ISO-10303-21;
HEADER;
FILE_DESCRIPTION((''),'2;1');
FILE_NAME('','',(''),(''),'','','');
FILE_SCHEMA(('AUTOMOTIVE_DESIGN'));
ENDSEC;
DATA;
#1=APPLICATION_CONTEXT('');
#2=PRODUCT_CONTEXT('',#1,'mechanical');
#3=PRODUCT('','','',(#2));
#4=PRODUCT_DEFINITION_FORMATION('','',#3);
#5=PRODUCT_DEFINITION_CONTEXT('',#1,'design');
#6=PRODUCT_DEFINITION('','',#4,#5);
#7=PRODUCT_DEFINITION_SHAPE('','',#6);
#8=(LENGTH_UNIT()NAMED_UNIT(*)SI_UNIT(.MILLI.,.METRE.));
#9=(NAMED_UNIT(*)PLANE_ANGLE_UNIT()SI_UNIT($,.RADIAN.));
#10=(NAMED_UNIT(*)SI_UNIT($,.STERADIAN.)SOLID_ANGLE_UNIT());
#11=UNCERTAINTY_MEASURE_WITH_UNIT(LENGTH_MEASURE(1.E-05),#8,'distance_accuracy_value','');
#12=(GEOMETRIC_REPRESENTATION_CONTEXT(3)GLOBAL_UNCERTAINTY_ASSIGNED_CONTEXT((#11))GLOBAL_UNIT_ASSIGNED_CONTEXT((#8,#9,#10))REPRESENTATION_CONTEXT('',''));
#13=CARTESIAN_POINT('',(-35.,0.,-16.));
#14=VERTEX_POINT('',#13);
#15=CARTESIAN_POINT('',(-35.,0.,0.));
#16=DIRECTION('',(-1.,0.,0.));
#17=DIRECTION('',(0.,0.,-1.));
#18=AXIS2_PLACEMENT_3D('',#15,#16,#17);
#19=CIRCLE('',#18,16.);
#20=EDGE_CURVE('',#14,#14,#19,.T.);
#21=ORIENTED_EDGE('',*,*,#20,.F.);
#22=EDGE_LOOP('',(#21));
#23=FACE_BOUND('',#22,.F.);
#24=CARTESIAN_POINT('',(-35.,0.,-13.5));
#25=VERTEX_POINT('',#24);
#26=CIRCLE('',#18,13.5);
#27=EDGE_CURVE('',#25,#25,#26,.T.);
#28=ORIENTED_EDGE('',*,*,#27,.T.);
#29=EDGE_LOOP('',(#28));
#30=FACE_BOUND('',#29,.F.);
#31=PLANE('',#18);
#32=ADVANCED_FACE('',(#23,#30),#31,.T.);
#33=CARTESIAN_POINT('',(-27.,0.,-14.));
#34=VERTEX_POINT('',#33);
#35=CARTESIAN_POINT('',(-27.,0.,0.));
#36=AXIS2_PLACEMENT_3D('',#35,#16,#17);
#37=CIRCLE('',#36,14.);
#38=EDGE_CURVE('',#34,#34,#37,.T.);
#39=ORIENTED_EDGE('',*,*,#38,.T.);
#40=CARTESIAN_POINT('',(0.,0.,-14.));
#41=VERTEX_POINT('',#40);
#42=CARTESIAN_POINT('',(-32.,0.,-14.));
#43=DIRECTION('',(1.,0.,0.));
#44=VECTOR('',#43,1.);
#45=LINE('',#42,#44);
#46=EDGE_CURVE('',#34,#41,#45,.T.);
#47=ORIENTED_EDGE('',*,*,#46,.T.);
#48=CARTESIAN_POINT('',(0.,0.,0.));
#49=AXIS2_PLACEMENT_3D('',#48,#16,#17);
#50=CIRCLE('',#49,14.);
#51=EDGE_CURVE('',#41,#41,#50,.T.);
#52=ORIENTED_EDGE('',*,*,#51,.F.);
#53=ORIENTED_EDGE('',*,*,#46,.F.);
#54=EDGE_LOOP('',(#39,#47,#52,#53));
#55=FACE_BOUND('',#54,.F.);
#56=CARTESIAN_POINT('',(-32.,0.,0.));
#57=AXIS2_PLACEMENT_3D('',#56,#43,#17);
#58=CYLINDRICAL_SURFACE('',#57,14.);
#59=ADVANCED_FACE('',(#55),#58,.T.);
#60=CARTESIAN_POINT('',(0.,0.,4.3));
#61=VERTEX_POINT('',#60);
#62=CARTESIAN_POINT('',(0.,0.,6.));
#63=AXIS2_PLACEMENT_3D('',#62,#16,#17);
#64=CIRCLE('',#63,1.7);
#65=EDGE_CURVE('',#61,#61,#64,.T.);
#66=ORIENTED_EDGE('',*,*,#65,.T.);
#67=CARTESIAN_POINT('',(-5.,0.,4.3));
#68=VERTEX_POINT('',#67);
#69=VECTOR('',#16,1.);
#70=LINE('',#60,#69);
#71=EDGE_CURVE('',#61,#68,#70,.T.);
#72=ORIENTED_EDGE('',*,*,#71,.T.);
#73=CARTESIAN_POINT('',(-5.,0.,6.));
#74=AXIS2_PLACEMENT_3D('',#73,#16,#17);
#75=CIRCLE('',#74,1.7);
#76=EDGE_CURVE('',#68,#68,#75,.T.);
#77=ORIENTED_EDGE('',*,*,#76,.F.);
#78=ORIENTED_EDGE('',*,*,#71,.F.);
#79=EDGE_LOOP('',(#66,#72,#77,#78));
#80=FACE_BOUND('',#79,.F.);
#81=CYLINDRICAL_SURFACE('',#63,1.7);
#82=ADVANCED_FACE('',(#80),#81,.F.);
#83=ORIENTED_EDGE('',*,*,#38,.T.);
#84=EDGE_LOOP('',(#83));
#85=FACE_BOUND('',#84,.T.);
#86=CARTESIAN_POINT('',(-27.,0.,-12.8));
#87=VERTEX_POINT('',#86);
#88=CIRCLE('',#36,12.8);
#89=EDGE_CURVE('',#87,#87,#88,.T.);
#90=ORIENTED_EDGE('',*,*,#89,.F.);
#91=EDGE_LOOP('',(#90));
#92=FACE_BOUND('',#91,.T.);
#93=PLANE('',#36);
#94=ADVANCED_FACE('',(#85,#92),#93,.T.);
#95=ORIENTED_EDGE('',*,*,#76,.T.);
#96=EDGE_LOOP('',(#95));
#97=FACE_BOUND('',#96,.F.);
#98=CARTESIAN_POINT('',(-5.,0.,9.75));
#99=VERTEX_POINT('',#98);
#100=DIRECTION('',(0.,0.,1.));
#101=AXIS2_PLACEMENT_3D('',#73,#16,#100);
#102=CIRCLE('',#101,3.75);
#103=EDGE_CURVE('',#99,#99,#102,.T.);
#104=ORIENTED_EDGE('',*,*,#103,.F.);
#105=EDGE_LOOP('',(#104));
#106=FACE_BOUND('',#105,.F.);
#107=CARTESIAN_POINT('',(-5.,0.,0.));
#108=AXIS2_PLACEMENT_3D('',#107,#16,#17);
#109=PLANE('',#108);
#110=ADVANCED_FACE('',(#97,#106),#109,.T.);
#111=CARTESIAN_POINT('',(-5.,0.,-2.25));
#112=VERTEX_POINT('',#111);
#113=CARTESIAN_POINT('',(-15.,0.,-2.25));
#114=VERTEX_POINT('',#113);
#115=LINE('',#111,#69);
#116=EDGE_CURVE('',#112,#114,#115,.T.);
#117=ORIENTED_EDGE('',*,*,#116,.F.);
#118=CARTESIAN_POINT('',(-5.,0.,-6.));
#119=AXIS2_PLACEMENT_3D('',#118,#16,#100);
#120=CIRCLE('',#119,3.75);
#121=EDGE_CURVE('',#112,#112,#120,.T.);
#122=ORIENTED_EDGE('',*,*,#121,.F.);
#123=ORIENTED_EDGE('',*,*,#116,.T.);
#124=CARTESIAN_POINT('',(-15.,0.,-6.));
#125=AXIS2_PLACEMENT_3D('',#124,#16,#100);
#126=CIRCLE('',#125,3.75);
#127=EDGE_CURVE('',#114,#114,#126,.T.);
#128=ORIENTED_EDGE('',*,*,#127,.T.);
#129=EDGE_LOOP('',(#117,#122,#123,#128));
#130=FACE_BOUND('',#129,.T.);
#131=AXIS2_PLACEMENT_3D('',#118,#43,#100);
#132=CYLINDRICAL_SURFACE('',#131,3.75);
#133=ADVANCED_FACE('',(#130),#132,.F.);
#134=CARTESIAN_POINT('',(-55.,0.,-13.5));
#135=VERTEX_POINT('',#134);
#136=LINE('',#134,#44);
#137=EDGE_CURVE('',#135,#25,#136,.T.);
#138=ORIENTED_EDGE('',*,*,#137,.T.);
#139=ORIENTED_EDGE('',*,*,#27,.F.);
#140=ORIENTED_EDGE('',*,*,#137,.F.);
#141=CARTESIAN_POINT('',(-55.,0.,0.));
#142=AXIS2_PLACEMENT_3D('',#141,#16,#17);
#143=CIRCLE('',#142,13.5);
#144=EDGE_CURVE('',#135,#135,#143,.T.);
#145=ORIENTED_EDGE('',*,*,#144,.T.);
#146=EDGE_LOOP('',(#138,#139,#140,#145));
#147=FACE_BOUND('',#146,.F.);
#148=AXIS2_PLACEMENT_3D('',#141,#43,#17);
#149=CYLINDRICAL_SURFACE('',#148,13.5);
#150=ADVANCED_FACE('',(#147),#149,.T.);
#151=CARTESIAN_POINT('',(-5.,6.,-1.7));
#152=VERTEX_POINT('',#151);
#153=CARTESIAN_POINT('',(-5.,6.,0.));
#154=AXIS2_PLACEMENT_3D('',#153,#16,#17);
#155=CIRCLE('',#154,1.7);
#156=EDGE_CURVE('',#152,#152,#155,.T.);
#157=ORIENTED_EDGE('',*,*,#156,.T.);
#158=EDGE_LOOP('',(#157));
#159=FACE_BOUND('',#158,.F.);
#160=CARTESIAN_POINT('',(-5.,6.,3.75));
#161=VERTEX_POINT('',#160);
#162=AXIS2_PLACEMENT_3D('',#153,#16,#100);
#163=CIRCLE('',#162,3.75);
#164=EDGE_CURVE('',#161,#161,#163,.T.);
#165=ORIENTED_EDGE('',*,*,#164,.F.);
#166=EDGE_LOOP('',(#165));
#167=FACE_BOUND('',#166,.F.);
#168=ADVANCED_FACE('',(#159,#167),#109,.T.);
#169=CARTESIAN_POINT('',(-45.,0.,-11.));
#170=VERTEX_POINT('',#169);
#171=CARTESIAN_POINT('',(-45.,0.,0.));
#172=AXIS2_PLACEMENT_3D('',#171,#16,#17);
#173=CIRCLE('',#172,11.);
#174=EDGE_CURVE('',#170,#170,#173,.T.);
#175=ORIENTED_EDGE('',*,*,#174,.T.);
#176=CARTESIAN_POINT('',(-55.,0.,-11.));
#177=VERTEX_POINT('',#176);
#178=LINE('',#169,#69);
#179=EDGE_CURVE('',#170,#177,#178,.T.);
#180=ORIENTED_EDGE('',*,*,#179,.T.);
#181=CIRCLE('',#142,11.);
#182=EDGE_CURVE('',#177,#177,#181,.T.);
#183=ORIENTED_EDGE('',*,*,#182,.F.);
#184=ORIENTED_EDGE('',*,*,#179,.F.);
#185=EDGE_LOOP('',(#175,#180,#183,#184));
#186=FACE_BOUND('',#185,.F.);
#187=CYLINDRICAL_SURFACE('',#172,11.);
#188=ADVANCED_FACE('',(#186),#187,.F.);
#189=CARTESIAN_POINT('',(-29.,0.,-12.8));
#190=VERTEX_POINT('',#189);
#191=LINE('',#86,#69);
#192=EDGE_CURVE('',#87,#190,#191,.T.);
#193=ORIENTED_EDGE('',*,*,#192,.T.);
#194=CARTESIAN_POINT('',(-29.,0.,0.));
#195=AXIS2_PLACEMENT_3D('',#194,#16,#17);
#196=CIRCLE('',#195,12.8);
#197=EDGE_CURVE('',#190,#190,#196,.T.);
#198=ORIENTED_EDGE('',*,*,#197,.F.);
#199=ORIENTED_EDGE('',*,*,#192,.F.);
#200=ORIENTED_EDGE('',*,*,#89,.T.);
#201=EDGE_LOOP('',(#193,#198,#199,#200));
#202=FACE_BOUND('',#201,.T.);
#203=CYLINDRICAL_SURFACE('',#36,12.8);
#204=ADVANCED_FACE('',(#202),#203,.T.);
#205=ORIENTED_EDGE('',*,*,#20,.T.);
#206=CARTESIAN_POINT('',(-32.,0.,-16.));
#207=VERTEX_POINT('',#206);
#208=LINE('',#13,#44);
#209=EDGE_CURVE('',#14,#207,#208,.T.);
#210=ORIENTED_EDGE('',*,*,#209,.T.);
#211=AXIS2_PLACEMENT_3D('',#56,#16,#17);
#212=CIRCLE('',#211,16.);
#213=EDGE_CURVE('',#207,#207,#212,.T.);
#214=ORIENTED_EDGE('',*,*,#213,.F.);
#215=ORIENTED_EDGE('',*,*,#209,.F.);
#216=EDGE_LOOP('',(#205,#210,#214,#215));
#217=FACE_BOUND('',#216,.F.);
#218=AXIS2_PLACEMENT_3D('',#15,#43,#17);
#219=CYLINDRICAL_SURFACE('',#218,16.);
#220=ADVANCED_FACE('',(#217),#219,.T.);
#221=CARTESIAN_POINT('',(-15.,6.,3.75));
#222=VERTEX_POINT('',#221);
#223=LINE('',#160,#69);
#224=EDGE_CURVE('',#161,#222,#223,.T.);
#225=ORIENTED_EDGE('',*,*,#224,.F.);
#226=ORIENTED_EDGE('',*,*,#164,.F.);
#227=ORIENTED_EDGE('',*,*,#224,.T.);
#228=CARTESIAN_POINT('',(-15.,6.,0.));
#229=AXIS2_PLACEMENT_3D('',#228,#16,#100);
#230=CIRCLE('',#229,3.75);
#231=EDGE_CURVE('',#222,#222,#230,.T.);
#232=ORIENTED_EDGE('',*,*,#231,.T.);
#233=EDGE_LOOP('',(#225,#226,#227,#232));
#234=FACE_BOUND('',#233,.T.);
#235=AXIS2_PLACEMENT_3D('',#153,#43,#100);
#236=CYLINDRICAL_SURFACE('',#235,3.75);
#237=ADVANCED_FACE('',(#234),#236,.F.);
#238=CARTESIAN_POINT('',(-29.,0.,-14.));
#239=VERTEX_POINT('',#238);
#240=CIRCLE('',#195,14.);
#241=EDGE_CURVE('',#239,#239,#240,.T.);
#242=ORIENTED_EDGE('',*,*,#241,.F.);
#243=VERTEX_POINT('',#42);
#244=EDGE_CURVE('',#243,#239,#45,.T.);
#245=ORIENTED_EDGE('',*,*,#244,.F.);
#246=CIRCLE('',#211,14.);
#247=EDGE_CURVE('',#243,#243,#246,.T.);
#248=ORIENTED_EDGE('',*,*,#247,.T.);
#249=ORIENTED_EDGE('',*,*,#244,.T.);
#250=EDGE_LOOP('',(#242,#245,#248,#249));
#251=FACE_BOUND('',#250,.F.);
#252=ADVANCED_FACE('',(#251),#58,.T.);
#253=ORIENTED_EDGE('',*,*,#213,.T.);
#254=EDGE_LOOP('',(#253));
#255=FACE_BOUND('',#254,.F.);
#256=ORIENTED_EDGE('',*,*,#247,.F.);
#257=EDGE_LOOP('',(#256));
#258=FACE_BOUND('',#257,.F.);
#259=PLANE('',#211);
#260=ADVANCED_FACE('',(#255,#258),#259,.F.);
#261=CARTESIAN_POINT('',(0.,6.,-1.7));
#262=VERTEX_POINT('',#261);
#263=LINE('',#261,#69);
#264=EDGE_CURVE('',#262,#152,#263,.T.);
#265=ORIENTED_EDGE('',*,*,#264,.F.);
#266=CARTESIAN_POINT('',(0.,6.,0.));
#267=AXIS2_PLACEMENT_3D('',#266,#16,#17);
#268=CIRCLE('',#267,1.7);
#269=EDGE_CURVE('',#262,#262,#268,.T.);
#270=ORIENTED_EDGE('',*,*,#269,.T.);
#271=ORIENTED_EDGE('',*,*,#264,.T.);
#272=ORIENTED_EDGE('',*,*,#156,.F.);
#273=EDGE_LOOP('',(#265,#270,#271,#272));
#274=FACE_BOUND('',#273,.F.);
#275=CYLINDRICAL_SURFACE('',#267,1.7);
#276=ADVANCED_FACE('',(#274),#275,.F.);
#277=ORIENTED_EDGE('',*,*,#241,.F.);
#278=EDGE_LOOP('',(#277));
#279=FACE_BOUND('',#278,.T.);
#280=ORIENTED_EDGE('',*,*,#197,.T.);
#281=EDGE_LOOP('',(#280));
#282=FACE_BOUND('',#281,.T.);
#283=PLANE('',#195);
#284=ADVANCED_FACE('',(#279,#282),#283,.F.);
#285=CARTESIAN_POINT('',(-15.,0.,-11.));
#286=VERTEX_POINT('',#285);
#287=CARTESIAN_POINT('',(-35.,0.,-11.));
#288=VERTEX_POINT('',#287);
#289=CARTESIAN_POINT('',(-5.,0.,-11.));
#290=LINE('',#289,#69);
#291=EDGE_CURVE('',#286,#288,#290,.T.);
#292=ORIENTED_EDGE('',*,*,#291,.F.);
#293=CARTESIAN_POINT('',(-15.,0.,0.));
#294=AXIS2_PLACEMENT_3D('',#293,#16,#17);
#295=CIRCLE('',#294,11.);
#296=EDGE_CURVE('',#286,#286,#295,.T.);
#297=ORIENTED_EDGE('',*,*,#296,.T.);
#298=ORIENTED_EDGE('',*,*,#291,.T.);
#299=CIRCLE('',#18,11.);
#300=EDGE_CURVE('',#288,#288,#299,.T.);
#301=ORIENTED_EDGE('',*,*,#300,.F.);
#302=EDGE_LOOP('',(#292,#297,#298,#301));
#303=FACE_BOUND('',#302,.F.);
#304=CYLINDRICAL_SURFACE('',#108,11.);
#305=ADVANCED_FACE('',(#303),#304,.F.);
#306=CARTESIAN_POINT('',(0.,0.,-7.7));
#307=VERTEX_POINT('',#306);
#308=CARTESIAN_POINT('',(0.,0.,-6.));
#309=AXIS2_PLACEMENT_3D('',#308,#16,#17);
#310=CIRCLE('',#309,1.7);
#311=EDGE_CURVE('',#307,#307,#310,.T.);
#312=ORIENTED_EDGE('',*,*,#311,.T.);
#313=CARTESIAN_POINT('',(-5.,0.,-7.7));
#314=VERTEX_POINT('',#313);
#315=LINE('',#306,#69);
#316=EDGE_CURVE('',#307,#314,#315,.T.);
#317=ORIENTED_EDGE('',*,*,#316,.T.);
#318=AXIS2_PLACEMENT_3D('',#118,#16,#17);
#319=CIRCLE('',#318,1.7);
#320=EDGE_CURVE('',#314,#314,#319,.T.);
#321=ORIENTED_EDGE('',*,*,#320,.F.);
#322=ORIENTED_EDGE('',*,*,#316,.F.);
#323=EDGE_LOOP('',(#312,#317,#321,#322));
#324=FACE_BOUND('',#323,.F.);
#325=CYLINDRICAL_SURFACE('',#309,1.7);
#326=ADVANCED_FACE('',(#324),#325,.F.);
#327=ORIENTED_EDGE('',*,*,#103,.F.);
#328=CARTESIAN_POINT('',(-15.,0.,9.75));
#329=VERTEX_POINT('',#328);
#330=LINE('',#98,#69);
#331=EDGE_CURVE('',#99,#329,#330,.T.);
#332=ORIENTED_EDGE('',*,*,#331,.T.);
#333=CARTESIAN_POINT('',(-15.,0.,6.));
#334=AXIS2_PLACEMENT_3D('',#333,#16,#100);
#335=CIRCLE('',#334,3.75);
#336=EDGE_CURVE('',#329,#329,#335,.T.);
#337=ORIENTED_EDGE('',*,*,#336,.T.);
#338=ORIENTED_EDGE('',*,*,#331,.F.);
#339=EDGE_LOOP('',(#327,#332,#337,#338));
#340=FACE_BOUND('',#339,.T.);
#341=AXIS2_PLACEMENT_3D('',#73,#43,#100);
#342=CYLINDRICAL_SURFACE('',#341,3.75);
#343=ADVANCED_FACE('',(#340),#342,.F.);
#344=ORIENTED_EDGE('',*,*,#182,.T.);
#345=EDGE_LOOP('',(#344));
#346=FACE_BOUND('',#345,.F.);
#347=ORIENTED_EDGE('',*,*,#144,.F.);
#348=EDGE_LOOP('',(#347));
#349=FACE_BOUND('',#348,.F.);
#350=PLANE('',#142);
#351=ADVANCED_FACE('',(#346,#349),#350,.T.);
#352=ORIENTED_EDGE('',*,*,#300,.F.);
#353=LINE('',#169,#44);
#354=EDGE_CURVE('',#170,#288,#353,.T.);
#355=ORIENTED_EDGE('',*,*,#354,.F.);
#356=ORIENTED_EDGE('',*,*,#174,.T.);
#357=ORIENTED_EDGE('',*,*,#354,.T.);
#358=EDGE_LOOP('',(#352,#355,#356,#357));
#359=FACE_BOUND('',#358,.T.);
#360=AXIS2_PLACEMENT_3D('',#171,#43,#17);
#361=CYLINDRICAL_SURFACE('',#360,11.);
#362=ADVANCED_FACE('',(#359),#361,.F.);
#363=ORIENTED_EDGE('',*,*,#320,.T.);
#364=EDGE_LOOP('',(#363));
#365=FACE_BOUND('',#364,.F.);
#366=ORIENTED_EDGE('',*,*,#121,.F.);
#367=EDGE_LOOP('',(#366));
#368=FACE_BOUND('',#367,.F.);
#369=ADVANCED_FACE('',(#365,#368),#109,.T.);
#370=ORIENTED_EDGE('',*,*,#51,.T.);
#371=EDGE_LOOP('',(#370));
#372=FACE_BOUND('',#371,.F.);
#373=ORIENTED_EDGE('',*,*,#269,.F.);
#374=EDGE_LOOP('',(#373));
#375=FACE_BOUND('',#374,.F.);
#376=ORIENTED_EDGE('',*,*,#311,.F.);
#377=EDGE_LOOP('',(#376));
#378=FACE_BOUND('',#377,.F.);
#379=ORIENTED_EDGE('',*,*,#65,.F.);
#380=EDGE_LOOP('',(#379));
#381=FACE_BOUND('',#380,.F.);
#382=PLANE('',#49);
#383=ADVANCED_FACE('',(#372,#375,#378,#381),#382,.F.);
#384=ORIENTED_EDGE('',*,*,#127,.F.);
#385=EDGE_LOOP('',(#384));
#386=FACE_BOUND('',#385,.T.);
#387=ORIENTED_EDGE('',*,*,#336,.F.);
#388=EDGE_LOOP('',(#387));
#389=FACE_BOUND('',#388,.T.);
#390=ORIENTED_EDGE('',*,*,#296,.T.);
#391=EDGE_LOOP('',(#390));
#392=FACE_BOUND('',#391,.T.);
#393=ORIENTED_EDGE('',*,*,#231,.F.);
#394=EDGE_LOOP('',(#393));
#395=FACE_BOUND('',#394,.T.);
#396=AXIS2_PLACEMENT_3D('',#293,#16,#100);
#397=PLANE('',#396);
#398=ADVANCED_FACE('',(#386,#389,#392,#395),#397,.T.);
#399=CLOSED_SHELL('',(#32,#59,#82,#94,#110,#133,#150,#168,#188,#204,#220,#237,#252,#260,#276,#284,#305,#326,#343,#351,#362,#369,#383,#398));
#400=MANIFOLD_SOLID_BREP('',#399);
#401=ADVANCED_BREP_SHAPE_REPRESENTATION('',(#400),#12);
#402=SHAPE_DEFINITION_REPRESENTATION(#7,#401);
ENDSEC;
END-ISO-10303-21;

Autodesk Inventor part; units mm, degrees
ref_plane "YZ Plane" through (0, 0, 0) normal (1, 0, 0) x (0, 1, 0)
ref_plane "XZ Plane" through (0, 0, 0) normal (0, 1, 0) x (-1, 0, 0)
ref_plane "XY Plane" through (0, 0, 0) normal (0, 0, 1) x (1, 0, 0)
sketch "Sketch1" plane through (0, 0, 0) normal (0, 1, 0) x (-1, 0, 0)
  line L0 (0, 0) -> (35, 0)
  line L1 (35, 0) -> (35, -16)
  line L2 (35, -16) -> (32, -16)
  line L3 (32, -16) -> (32, -14)
  line L4 (32, -14) -> (0, -14)
  line L5 (0, -14) -> (0, 0)
  line L6 (35, 0) -> (45, 0)
  line L7 (45, 0) -> (45, -11)
  line L8 (45, -11) -> (35, -11)
  line L9 (5, 0) -> (5, -11)
  line L10 (5, -11) -> (45, -11)
  line L11 (27, -14) -> (27, -12.8)
  line L12 (27, -12.8) -> (29, -12.8)
  line L13 (29, -12.8) -> (29, -14)
  line L14 (45, -11) -> (55, -11)
  line L15 (55, -11) -> (55, -13.5)
  line L16 (55, -13.5) -> (35, -13.5)
  point P0 (35, -11)
  point P1 (32, -15)
  point P2 (27, -11)
  point P3 (29, -11)
  dimension "d0" = 28
  dimension "d1" = 32
  dimension "d2" = 3
  dimension "d3" = 35
  dimension "d5" = 10
  dimension "d6" = 5
  dimension "d7" = 3
  dimension "d18" = 2
  dimension "d20" = 22
  dimension "d21" = 3
  dimension "d24" = 1.2
  dimension "d25" = 50
  dimension "d26" = 2.5
revolve "Revolution1" add sketch "Sketch1" angle 360 about axis through (0, 0, 0) along (-1, 0, 0) contours L0 L9 L10 L1 L2 L3 L4 L13 L12 L11 L5 | L8 L14 L15 L16 L1
sketch "Sketch2" plane through (0, 0, 0) normal (1, 0, 0) x (0, 0, -1)
  point P0 (0, 0)
  point P1 (0, 0)
  point P2 (6, 0)
  point P3 (-6, 0)
  point P4 (0, 6)
  dimension "d22" = 6
  dimension "d23" = 6
  dimension "d27" = 6
hole "Hole1" at (0, 0, -6) at (0, 0, 6) at (0, 6, 0) direction (-1, 0, 0) diameter 3.4 end through all clearance for "Countersunk Flat Head Screw ISO 2009/7046" size "M3" standard "ISO"
sketch "Sketch3" plane through (-5, 0, 0) normal (-1, 0, 0) x (0, 0, 1)
  circle A0 centre (0, 6) radius 1.7 projected
  circle A1 centre (-6, 0) radius 1.7 projected
  circle A2 centre (6, 0) radius 1.7 projected
  circle A3 centre (6, 0) radius 3.75
  circle A4 centre (0, 6) radius 3.75
  circle A5 centre (-6, 0) radius 3.75
  circle A6 centre (6, 0) radius 1.7 projected
  circle A7 centre (-6, 0) radius 1.7 projected
  circle A8 centre (0, 6) radius 1.7 projected
  circle A9 centre (0, 0) radius 11 projected
  dimension "d28" = 7.5
  dimension "d29" = 7.5
  dimension "d30" = 7.5
extrude "Extrusion1" add sketch "Sketch3" along normal blind 10 contours A9
equation "\"d23\" = d22"
properties part number "028" material "PC/ABS Plastic"
